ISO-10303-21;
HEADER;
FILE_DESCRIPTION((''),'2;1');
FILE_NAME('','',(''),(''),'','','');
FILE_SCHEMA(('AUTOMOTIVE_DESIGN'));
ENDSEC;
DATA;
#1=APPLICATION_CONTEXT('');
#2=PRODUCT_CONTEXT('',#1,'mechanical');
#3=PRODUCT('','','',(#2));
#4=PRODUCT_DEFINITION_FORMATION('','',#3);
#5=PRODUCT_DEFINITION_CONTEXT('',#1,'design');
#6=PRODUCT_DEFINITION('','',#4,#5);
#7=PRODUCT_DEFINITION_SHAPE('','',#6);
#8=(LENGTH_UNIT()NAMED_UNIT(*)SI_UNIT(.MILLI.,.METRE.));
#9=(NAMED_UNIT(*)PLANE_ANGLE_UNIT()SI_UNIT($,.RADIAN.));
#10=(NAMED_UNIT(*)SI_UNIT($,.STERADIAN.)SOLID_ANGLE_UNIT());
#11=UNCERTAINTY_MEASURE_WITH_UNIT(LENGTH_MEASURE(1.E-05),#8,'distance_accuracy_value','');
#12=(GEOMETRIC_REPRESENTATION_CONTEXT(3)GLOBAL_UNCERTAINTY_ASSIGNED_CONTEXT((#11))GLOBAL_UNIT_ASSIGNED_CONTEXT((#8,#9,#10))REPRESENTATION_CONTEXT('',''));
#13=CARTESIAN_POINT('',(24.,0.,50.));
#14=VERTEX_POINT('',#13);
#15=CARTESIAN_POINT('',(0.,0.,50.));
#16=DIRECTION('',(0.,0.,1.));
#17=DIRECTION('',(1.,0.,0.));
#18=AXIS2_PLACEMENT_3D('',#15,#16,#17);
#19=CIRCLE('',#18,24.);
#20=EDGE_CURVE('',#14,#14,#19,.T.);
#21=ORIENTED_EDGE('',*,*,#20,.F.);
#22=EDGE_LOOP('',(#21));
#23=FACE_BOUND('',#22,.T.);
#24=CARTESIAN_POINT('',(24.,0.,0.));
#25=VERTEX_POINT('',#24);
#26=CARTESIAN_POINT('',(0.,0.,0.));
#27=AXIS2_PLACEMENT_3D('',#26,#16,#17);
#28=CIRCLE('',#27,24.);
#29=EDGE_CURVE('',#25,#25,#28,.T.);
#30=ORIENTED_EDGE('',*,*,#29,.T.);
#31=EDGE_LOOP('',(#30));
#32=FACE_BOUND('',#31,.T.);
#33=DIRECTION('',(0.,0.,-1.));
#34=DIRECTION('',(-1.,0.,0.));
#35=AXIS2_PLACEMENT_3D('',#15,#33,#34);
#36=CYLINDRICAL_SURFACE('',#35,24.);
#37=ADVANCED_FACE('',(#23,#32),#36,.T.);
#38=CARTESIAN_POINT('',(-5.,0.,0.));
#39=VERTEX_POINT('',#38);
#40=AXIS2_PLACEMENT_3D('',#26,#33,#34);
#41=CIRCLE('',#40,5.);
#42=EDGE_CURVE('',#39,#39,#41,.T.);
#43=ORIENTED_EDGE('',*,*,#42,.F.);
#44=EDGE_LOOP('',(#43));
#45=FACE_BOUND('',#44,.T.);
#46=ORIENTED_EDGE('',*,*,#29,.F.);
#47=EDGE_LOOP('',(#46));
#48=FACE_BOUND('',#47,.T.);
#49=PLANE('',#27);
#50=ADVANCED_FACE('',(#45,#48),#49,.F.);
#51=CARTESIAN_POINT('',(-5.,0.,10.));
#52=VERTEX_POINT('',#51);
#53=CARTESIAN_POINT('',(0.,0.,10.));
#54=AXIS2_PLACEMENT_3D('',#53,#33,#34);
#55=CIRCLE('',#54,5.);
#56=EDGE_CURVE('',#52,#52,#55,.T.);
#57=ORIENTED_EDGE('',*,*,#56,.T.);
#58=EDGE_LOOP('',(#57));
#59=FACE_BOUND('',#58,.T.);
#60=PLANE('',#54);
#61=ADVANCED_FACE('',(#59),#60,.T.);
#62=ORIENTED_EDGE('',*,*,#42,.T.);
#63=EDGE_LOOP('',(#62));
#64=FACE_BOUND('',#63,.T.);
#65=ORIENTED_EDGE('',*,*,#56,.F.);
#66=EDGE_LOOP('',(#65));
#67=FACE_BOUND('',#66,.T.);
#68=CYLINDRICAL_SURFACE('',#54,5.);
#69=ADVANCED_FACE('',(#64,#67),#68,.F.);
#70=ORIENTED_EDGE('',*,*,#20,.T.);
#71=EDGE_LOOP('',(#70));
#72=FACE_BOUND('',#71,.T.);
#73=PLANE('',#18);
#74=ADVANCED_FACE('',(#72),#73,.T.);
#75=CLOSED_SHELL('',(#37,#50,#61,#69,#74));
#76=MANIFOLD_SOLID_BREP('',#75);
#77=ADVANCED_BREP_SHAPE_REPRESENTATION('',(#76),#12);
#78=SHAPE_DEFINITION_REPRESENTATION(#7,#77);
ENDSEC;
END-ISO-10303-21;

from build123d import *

# Parameters (mm, degrees)
CROQUIS1_R              = 24
SALIENTE_EXTRUIR1_DEPTH = 50
CROQUIS2_R              = 5
CORTAR_EXTRUIR1_DEPTH   = 10


with BuildPart() as part:
    # Croquis1 → Saliente-Extruir1 (new body)
    with BuildSketch(Plane.XY):
        Circle(CROQUIS1_R)
    extrude(amount=SALIENTE_EXTRUIR1_DEPTH)

    # Croquis2 → Cortar-Extruir1 (cut)
    with BuildSketch(Plane(origin=(0, 0, 0), x_dir=(-1, 0, 0), z_dir=(0, 0, -1))):
        Circle(CROQUIS2_R)
    extrude(amount=-CORTAR_EXTRUIR1_DEPTH, mode=Mode.SUBTRACT)


solid = part.part
